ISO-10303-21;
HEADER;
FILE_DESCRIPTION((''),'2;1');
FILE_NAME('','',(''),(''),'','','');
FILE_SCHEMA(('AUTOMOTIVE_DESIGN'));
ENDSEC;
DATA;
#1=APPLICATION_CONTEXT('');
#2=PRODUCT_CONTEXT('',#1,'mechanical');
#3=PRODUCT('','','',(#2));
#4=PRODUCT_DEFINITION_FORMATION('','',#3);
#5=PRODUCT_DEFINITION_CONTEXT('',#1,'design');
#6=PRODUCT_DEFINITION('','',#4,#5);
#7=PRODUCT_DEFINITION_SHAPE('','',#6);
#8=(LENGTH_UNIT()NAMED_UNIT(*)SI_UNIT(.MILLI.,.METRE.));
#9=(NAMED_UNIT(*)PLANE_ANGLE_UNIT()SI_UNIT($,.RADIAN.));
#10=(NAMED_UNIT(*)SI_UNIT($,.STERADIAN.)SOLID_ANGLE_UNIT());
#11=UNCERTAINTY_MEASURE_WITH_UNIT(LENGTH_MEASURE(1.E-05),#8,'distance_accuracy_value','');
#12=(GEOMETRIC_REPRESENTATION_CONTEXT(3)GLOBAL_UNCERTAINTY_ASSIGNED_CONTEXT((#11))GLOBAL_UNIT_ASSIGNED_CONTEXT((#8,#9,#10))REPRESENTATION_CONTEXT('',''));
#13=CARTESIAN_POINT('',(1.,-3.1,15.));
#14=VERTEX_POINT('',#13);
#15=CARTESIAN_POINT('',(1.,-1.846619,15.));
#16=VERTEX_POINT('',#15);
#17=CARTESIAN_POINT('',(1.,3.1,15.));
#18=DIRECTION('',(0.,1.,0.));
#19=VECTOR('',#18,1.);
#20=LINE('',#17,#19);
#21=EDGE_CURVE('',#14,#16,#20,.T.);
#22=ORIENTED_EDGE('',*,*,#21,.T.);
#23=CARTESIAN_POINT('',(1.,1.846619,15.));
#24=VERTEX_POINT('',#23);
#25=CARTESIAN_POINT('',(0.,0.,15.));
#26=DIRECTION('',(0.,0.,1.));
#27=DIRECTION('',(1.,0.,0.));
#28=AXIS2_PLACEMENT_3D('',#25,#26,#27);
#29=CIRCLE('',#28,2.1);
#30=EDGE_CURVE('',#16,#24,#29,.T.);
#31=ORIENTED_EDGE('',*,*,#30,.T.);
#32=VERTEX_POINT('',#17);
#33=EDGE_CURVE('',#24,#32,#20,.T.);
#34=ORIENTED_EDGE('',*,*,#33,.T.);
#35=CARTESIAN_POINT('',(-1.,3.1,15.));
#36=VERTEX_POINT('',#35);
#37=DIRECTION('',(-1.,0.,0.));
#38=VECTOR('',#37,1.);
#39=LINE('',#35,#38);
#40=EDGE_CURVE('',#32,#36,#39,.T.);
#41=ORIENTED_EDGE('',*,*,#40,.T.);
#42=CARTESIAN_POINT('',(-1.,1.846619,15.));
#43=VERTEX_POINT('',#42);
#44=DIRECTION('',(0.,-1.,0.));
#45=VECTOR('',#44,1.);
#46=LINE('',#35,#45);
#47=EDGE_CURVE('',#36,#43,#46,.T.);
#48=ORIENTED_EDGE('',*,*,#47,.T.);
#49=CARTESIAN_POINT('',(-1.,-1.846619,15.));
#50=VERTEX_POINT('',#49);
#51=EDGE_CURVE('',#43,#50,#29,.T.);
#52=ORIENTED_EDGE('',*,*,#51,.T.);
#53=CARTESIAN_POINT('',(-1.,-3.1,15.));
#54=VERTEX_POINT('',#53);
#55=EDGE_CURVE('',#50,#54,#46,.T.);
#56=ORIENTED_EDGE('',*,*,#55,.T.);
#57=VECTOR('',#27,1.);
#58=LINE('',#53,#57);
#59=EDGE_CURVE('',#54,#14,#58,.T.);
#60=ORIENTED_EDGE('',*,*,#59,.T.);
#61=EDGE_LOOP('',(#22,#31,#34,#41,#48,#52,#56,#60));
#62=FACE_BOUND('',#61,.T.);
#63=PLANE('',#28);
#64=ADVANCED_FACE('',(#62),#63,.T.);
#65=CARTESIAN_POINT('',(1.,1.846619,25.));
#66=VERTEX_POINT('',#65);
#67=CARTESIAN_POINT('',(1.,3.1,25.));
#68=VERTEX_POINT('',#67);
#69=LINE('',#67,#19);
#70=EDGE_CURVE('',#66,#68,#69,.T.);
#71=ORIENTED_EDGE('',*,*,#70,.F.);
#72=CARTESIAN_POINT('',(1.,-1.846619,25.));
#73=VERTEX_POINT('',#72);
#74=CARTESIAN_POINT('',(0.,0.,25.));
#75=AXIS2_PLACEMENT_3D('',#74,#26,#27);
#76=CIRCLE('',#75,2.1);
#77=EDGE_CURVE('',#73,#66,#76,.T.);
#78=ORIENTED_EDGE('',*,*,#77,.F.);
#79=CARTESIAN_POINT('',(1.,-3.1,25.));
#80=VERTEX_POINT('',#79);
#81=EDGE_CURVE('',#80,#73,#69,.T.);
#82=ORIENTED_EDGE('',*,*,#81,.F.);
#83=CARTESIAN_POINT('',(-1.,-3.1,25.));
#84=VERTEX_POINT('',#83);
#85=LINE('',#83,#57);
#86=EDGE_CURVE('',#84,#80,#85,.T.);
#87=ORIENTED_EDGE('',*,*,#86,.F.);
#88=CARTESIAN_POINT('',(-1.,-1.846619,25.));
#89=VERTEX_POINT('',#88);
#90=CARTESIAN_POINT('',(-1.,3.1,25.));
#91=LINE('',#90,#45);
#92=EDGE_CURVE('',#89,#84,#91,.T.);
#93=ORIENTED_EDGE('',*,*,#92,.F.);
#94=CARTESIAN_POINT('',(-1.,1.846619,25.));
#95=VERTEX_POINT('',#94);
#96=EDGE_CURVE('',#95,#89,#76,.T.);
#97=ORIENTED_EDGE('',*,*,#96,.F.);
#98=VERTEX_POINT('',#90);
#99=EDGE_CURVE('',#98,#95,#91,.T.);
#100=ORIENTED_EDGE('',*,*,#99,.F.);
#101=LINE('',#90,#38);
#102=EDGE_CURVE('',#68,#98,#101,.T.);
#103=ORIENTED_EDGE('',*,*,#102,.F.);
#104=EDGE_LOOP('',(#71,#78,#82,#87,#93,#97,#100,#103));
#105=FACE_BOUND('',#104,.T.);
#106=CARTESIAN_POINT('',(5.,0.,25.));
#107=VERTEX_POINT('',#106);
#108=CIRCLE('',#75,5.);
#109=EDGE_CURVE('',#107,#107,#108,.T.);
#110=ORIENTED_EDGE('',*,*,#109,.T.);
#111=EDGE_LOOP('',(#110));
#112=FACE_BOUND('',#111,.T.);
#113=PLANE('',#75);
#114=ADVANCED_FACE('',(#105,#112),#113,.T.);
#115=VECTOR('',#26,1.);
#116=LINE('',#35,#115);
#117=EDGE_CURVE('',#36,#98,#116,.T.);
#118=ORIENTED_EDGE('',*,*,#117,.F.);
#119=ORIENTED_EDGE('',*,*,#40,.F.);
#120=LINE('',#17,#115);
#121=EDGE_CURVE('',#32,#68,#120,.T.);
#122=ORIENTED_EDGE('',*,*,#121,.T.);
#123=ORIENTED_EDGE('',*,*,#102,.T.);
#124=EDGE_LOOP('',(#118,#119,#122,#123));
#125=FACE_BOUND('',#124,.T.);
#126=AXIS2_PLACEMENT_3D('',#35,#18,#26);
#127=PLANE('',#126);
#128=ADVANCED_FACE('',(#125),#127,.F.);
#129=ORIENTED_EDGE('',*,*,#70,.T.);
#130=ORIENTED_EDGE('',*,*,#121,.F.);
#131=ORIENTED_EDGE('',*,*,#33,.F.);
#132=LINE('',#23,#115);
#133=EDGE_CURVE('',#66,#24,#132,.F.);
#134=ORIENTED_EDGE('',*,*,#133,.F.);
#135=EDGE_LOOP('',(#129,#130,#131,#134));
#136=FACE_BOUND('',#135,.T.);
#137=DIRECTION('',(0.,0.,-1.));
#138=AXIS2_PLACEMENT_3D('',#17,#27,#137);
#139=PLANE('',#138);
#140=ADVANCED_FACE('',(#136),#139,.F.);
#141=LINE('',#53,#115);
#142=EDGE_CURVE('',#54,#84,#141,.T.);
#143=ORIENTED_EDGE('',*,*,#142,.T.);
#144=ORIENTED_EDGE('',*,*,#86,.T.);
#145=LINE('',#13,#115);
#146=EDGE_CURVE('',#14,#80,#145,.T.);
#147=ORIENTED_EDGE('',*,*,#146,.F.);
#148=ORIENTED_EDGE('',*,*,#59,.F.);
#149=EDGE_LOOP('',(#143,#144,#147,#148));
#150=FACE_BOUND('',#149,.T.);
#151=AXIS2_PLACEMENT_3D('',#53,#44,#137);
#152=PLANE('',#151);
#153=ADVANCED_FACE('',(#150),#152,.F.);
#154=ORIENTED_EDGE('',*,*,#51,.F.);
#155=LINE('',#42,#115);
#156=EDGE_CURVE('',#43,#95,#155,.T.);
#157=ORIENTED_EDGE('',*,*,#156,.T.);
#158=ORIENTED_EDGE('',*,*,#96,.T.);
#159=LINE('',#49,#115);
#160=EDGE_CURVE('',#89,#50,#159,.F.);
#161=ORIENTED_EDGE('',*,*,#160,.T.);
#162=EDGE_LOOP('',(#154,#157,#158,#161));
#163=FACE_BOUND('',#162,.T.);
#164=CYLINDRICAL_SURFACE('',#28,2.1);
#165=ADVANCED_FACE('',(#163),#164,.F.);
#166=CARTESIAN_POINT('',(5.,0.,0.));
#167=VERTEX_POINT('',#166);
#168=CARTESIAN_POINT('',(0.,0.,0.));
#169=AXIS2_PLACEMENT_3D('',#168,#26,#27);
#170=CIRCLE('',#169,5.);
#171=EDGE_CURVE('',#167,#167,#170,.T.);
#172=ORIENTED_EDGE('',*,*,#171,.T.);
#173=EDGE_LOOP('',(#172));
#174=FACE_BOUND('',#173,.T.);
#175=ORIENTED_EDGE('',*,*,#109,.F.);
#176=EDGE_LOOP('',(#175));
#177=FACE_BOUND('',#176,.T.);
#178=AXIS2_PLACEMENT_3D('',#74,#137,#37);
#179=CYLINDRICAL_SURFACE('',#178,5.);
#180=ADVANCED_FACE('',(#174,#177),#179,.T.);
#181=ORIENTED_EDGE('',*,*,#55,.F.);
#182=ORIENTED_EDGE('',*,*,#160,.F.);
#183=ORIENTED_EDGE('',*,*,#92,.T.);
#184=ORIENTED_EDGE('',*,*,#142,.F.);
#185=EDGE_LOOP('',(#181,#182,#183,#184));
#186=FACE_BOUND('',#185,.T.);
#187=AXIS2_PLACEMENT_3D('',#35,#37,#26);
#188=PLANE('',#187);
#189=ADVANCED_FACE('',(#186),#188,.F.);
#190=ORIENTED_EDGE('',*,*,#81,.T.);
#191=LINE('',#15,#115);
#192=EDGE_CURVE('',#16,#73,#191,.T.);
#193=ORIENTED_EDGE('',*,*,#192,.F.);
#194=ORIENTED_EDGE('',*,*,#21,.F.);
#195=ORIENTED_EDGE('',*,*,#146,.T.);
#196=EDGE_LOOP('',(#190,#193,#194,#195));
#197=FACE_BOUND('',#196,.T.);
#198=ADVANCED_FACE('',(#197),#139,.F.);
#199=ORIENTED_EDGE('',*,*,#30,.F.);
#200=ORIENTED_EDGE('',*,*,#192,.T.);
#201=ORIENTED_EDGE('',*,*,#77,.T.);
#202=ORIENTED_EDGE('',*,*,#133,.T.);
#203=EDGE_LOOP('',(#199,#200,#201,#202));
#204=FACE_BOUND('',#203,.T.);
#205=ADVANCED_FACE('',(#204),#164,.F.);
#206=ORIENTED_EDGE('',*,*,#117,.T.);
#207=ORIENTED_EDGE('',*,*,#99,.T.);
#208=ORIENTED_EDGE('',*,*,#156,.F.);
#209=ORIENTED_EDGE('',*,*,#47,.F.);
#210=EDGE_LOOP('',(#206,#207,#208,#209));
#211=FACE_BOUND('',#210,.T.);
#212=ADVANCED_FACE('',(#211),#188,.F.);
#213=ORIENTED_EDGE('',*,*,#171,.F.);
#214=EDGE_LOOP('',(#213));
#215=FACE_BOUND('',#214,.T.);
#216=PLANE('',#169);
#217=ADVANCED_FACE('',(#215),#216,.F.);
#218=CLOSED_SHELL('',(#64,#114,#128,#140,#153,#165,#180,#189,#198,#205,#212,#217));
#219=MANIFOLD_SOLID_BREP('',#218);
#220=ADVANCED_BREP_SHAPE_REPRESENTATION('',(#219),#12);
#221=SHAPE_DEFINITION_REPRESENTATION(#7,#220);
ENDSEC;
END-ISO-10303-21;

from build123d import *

# Parameters (mm, degrees)
SKETCH1_R           = 5
BOSS_EXTRUDE1_DEPTH = 25
SKETCH2_R           = 2.1
CUT_EXTRUDE1_DEPTH  = 10
SKETCH3_W           = 2
SKETCH3_H           = 6.2
CUT_EXTRUDE2_DEPTH  = 10


with BuildPart() as part:
    # Sketch1 → Boss-Extrude1 (new body)
    with BuildSketch(Plane.XY):
        Circle(SKETCH1_R)
    extrude(amount=BOSS_EXTRUDE1_DEPTH)

    # Sketch2 → Cut-Extrude1 (cut)
    with BuildSketch(Plane.XY.offset(25)):
        Circle(SKETCH2_R)
    extrude(amount=-CUT_EXTRUDE1_DEPTH, mode=Mode.SUBTRACT)

    # Sketch3 → Cut-Extrude2 (cut)
    with BuildSketch(Plane.XY.offset(25)):
        Rectangle(SKETCH3_W, SKETCH3_H)
    extrude(amount=-CUT_EXTRUDE2_DEPTH, mode=Mode.SUBTRACT)


solid = part.part
